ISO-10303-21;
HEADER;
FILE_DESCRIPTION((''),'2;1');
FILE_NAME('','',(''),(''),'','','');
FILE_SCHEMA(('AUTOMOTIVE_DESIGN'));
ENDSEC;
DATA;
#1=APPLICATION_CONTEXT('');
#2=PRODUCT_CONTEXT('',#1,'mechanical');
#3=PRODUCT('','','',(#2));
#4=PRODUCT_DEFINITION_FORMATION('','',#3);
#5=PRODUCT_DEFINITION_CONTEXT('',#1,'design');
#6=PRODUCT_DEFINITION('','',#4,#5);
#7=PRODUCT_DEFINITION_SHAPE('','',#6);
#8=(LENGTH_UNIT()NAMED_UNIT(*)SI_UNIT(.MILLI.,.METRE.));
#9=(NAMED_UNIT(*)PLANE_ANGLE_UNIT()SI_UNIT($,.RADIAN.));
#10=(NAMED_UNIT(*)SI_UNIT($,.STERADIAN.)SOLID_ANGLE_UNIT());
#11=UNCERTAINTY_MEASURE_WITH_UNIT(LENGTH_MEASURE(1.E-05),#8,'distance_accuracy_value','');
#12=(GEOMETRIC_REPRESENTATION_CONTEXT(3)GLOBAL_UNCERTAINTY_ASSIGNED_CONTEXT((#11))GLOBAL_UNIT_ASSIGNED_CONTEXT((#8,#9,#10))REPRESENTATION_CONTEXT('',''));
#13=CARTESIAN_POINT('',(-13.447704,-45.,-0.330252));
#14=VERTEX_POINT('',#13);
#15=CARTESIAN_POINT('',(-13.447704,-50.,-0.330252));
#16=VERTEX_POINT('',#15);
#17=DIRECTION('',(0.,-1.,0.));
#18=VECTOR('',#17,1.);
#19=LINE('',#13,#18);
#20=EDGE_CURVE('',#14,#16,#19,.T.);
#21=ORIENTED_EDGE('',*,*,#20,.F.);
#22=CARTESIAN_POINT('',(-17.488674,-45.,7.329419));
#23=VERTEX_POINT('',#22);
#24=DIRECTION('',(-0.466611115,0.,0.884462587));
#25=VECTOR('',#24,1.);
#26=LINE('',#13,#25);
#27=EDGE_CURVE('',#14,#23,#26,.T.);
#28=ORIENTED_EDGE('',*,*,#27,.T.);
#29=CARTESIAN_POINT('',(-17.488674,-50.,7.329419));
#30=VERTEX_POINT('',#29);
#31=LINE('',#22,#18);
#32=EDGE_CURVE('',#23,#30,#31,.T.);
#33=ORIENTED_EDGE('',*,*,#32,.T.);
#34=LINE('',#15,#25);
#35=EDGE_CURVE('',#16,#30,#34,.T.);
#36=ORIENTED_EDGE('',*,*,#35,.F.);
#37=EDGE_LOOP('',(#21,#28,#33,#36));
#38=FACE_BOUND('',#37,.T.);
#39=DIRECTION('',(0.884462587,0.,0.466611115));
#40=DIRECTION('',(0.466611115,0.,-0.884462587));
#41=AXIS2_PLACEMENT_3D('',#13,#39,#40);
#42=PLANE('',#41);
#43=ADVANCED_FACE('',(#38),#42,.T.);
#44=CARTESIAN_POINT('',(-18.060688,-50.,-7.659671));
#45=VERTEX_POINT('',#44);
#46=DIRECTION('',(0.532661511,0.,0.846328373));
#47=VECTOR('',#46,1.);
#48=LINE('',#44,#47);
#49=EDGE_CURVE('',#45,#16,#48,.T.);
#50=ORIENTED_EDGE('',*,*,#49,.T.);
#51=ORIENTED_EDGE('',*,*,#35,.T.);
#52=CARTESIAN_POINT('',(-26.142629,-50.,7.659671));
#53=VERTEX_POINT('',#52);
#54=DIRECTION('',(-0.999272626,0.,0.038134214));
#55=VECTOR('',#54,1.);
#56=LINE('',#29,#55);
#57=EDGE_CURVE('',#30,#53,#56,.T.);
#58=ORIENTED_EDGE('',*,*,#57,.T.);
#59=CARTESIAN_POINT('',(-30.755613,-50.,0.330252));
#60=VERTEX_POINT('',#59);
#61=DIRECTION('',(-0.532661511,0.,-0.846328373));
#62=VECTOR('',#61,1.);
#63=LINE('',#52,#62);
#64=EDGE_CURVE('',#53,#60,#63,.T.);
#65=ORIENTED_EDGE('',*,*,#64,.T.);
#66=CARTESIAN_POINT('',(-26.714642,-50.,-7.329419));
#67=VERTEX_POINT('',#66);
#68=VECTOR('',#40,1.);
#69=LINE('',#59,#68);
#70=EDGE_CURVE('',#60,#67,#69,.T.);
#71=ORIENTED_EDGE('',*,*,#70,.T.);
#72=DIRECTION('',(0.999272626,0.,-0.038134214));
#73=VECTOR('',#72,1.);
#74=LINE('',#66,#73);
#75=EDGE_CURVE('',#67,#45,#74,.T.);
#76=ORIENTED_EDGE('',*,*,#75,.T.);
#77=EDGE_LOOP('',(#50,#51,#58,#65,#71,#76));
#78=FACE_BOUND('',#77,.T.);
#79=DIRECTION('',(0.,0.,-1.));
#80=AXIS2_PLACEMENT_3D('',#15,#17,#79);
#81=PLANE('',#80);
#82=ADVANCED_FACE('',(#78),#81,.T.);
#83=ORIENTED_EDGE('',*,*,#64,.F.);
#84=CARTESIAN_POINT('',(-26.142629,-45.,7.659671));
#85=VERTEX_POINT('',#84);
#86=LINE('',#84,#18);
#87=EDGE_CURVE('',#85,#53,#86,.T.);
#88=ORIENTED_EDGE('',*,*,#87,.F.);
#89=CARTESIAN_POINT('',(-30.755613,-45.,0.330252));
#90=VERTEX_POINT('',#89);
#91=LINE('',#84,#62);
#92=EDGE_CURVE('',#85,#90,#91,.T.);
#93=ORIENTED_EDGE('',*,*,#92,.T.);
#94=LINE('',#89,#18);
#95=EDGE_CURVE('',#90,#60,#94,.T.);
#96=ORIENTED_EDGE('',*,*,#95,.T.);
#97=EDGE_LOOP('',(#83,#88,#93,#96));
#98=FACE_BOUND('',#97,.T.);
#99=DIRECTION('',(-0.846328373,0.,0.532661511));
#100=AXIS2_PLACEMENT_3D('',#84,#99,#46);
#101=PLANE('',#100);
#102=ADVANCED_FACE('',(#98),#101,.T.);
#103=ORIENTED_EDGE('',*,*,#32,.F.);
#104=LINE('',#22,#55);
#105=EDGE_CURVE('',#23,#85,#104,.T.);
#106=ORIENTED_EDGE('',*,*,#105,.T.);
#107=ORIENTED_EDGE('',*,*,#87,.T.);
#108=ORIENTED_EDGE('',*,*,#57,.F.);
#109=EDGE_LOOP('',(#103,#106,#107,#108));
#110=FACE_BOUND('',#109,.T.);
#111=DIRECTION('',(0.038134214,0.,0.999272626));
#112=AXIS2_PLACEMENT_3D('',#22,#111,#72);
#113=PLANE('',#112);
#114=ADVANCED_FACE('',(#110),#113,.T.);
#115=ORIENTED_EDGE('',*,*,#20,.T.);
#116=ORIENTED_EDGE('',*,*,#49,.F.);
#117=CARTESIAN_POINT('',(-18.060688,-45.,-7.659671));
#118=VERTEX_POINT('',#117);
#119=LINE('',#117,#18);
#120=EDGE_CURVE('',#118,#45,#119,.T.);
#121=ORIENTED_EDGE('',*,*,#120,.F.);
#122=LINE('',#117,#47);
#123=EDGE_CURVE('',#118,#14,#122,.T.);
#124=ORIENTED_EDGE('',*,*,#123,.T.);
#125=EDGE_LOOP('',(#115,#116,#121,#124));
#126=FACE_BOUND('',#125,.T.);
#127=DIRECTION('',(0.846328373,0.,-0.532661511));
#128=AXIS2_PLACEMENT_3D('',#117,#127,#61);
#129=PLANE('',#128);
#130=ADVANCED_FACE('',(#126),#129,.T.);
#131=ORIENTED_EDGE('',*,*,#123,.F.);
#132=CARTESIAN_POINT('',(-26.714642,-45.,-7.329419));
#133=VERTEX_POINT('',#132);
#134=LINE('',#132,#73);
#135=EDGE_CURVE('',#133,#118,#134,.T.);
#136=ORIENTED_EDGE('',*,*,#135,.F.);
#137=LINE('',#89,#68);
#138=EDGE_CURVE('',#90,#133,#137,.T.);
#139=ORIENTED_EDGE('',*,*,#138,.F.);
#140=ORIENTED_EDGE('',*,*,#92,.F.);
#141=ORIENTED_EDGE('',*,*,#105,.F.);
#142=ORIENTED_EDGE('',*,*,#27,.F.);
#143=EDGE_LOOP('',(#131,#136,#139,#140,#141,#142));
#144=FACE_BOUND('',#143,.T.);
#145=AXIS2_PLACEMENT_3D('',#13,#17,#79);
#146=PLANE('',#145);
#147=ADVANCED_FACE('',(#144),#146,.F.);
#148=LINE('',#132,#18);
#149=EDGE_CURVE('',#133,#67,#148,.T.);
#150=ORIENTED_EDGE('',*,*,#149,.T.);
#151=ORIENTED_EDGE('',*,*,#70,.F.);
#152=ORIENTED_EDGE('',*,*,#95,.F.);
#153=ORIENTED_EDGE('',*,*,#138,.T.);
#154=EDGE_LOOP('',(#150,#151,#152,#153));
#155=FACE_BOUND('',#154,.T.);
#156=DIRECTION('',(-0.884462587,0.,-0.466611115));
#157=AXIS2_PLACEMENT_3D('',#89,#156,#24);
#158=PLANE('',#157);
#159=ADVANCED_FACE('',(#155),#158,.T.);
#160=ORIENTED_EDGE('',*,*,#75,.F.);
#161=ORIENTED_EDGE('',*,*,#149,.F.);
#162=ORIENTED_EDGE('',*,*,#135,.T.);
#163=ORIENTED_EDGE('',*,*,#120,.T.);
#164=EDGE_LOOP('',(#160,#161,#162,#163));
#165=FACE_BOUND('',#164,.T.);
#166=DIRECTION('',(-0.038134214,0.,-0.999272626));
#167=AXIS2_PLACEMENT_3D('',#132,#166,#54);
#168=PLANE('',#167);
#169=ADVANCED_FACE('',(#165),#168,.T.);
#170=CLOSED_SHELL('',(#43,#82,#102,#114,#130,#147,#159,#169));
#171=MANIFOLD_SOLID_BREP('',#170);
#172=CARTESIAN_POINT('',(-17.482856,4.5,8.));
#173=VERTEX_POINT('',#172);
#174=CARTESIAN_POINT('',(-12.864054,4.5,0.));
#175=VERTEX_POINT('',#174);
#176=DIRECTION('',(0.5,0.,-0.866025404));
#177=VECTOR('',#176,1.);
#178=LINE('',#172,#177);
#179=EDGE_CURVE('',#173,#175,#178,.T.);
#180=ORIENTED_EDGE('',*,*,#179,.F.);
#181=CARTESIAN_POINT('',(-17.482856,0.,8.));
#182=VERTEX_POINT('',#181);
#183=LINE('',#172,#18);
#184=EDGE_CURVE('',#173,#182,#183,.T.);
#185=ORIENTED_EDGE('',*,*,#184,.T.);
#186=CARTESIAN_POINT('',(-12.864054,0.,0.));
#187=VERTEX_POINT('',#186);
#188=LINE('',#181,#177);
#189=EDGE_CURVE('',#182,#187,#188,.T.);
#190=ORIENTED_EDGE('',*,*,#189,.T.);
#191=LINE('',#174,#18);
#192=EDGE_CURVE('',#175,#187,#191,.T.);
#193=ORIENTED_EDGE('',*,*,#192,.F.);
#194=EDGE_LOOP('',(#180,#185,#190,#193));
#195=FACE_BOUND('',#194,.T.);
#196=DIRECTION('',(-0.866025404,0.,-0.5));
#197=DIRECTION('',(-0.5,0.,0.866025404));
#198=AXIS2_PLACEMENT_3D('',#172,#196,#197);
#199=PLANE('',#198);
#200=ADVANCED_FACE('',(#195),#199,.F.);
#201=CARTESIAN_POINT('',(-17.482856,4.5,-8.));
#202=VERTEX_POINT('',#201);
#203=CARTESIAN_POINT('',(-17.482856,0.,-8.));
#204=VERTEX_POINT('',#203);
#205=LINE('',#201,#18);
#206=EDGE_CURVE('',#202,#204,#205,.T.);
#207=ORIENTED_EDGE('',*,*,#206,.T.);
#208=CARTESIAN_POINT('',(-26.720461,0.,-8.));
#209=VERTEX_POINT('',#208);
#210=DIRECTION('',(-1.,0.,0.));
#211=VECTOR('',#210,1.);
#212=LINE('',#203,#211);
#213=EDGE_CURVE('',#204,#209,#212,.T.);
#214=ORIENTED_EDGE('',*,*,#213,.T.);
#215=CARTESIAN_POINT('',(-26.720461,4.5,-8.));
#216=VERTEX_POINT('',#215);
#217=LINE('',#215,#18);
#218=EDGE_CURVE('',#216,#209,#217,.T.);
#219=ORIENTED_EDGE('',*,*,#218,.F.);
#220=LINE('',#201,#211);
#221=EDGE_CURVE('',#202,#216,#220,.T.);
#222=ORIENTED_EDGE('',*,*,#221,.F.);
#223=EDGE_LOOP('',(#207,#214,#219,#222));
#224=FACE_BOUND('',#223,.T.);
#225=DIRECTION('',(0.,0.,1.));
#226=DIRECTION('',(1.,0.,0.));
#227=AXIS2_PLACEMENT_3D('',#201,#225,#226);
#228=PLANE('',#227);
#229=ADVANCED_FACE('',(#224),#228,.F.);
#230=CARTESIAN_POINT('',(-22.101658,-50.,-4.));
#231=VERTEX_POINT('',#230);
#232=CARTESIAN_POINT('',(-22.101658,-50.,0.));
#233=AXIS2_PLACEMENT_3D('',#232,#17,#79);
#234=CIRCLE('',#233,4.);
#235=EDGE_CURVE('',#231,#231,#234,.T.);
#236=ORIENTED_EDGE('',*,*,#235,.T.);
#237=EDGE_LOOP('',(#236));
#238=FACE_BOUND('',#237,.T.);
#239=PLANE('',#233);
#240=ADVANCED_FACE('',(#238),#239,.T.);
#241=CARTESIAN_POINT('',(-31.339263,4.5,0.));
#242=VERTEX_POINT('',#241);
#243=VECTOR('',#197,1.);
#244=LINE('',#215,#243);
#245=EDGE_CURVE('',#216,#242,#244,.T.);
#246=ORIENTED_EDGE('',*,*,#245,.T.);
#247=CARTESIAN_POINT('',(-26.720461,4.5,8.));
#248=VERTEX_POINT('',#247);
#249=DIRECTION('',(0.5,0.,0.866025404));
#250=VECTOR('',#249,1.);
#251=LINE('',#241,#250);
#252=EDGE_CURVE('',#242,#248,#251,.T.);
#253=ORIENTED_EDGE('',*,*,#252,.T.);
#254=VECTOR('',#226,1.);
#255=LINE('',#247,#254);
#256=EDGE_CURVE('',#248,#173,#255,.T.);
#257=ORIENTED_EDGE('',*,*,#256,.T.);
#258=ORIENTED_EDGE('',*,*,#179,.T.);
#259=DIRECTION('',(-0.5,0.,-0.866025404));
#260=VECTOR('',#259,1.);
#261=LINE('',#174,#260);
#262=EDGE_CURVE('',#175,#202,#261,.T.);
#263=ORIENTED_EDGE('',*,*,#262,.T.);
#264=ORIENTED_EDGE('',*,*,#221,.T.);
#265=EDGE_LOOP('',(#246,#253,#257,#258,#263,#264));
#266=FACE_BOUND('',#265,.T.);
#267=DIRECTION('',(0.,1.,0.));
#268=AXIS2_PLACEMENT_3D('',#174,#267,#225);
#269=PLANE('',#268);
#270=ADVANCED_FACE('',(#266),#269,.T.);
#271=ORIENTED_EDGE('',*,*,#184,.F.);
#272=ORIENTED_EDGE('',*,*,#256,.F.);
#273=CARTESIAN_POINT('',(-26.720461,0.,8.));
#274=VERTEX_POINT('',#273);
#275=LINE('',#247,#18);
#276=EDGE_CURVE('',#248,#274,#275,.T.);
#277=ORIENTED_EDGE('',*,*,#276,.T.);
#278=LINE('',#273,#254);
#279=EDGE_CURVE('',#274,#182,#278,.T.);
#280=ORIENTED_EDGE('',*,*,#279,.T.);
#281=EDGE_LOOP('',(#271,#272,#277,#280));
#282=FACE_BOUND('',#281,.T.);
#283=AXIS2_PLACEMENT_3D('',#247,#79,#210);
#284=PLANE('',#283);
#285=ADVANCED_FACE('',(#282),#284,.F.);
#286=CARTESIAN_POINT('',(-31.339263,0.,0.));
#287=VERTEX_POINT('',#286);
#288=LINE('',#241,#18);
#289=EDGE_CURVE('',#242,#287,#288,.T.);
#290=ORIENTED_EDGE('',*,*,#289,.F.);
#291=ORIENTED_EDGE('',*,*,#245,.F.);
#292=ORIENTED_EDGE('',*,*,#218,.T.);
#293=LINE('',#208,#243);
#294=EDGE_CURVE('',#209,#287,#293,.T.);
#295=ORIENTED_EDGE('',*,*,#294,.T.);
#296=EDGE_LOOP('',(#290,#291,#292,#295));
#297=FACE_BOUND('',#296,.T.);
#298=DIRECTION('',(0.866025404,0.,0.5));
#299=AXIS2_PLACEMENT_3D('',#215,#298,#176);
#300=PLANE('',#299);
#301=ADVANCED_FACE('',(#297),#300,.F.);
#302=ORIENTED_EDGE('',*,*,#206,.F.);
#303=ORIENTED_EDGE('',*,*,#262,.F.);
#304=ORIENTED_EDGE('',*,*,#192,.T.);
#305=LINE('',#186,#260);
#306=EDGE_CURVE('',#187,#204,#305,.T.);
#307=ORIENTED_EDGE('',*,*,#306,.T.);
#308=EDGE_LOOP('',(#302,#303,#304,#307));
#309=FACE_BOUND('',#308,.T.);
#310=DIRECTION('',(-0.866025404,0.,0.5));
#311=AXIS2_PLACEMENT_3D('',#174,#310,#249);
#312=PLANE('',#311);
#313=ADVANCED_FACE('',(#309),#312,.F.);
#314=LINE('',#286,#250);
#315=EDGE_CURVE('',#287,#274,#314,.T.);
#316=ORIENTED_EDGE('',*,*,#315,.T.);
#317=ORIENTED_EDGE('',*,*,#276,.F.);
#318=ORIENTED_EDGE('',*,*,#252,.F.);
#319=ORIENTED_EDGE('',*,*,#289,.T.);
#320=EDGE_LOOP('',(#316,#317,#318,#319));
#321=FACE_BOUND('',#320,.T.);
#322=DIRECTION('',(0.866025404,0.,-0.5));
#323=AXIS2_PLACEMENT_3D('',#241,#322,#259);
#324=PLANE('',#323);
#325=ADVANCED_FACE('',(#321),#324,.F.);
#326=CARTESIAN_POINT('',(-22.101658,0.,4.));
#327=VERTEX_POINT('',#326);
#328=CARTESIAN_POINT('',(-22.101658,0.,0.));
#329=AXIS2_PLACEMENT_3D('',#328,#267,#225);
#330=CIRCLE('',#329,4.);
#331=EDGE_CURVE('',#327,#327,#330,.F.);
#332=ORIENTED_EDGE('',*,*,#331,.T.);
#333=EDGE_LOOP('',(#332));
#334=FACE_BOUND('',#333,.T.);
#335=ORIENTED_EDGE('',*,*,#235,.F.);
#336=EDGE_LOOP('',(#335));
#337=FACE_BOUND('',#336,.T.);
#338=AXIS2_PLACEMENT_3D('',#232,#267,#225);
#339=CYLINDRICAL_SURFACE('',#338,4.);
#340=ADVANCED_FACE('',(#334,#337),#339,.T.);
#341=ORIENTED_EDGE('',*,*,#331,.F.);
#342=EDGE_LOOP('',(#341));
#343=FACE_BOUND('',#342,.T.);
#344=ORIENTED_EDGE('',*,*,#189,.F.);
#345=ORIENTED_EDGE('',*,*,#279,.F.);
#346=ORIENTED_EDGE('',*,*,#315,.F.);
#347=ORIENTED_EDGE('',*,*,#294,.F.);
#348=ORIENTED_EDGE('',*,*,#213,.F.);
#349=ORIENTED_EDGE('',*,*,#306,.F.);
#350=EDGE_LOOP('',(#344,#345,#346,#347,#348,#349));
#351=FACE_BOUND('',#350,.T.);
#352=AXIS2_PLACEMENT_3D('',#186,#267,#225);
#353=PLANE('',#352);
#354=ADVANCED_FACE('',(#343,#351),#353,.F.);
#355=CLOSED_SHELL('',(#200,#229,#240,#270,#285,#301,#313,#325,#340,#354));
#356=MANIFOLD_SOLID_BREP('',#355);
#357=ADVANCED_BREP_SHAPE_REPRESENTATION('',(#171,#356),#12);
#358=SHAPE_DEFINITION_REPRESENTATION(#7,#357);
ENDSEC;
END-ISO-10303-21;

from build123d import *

# Parameters (mm, degrees)
EXTRUDE_1_DEPTH = 4.5
SKETCH_2_R      = 4
EXTRUDE_2_DEPTH = 50
EXTRUDE_3_DEPTH = 5


with BuildPart() as part:
    # 草图1 → 凸台-拉伸1 (new body)
    with BuildSketch(Plane(origin=(0, 0, 0), x_dir=(1, 0, 0), z_dir=(0, 1, 0))):
        Polygon((-12.864054172, 0), (-17.482856325, 8), (-26.720460632, 8), (-31.339262786, 0), (-26.720460632, -8), (-17.482856325, -8), align=None)
    extrude(amount=EXTRUDE_1_DEPTH)

    # 草图2 → 凸台-拉伸2 (add)
    with BuildSketch(Plane.XZ):
        with Locations(Location((-22.101658479, 0, 0), (0, 0, 90))):
            Circle(SKETCH_2_R)
    extrude(amount=EXTRUDE_2_DEPTH)


with BuildPart() as body_2:
    # 草图3 → 凸台-拉伸3 (new body)
    with BuildSketch(Plane.XZ.offset(50)):
        Polygon((-13.447703682, -0.330251979), (-17.488674477, 7.329418708), (-26.142629274, 7.659670687), (-30.755613276, 0.330251979), (-26.714642481, -7.329418708), (-18.060687684, -7.659670687), align=None)
    extrude(amount=-EXTRUDE_3_DEPTH)


solid = Compound([part.part, body_2.part])
